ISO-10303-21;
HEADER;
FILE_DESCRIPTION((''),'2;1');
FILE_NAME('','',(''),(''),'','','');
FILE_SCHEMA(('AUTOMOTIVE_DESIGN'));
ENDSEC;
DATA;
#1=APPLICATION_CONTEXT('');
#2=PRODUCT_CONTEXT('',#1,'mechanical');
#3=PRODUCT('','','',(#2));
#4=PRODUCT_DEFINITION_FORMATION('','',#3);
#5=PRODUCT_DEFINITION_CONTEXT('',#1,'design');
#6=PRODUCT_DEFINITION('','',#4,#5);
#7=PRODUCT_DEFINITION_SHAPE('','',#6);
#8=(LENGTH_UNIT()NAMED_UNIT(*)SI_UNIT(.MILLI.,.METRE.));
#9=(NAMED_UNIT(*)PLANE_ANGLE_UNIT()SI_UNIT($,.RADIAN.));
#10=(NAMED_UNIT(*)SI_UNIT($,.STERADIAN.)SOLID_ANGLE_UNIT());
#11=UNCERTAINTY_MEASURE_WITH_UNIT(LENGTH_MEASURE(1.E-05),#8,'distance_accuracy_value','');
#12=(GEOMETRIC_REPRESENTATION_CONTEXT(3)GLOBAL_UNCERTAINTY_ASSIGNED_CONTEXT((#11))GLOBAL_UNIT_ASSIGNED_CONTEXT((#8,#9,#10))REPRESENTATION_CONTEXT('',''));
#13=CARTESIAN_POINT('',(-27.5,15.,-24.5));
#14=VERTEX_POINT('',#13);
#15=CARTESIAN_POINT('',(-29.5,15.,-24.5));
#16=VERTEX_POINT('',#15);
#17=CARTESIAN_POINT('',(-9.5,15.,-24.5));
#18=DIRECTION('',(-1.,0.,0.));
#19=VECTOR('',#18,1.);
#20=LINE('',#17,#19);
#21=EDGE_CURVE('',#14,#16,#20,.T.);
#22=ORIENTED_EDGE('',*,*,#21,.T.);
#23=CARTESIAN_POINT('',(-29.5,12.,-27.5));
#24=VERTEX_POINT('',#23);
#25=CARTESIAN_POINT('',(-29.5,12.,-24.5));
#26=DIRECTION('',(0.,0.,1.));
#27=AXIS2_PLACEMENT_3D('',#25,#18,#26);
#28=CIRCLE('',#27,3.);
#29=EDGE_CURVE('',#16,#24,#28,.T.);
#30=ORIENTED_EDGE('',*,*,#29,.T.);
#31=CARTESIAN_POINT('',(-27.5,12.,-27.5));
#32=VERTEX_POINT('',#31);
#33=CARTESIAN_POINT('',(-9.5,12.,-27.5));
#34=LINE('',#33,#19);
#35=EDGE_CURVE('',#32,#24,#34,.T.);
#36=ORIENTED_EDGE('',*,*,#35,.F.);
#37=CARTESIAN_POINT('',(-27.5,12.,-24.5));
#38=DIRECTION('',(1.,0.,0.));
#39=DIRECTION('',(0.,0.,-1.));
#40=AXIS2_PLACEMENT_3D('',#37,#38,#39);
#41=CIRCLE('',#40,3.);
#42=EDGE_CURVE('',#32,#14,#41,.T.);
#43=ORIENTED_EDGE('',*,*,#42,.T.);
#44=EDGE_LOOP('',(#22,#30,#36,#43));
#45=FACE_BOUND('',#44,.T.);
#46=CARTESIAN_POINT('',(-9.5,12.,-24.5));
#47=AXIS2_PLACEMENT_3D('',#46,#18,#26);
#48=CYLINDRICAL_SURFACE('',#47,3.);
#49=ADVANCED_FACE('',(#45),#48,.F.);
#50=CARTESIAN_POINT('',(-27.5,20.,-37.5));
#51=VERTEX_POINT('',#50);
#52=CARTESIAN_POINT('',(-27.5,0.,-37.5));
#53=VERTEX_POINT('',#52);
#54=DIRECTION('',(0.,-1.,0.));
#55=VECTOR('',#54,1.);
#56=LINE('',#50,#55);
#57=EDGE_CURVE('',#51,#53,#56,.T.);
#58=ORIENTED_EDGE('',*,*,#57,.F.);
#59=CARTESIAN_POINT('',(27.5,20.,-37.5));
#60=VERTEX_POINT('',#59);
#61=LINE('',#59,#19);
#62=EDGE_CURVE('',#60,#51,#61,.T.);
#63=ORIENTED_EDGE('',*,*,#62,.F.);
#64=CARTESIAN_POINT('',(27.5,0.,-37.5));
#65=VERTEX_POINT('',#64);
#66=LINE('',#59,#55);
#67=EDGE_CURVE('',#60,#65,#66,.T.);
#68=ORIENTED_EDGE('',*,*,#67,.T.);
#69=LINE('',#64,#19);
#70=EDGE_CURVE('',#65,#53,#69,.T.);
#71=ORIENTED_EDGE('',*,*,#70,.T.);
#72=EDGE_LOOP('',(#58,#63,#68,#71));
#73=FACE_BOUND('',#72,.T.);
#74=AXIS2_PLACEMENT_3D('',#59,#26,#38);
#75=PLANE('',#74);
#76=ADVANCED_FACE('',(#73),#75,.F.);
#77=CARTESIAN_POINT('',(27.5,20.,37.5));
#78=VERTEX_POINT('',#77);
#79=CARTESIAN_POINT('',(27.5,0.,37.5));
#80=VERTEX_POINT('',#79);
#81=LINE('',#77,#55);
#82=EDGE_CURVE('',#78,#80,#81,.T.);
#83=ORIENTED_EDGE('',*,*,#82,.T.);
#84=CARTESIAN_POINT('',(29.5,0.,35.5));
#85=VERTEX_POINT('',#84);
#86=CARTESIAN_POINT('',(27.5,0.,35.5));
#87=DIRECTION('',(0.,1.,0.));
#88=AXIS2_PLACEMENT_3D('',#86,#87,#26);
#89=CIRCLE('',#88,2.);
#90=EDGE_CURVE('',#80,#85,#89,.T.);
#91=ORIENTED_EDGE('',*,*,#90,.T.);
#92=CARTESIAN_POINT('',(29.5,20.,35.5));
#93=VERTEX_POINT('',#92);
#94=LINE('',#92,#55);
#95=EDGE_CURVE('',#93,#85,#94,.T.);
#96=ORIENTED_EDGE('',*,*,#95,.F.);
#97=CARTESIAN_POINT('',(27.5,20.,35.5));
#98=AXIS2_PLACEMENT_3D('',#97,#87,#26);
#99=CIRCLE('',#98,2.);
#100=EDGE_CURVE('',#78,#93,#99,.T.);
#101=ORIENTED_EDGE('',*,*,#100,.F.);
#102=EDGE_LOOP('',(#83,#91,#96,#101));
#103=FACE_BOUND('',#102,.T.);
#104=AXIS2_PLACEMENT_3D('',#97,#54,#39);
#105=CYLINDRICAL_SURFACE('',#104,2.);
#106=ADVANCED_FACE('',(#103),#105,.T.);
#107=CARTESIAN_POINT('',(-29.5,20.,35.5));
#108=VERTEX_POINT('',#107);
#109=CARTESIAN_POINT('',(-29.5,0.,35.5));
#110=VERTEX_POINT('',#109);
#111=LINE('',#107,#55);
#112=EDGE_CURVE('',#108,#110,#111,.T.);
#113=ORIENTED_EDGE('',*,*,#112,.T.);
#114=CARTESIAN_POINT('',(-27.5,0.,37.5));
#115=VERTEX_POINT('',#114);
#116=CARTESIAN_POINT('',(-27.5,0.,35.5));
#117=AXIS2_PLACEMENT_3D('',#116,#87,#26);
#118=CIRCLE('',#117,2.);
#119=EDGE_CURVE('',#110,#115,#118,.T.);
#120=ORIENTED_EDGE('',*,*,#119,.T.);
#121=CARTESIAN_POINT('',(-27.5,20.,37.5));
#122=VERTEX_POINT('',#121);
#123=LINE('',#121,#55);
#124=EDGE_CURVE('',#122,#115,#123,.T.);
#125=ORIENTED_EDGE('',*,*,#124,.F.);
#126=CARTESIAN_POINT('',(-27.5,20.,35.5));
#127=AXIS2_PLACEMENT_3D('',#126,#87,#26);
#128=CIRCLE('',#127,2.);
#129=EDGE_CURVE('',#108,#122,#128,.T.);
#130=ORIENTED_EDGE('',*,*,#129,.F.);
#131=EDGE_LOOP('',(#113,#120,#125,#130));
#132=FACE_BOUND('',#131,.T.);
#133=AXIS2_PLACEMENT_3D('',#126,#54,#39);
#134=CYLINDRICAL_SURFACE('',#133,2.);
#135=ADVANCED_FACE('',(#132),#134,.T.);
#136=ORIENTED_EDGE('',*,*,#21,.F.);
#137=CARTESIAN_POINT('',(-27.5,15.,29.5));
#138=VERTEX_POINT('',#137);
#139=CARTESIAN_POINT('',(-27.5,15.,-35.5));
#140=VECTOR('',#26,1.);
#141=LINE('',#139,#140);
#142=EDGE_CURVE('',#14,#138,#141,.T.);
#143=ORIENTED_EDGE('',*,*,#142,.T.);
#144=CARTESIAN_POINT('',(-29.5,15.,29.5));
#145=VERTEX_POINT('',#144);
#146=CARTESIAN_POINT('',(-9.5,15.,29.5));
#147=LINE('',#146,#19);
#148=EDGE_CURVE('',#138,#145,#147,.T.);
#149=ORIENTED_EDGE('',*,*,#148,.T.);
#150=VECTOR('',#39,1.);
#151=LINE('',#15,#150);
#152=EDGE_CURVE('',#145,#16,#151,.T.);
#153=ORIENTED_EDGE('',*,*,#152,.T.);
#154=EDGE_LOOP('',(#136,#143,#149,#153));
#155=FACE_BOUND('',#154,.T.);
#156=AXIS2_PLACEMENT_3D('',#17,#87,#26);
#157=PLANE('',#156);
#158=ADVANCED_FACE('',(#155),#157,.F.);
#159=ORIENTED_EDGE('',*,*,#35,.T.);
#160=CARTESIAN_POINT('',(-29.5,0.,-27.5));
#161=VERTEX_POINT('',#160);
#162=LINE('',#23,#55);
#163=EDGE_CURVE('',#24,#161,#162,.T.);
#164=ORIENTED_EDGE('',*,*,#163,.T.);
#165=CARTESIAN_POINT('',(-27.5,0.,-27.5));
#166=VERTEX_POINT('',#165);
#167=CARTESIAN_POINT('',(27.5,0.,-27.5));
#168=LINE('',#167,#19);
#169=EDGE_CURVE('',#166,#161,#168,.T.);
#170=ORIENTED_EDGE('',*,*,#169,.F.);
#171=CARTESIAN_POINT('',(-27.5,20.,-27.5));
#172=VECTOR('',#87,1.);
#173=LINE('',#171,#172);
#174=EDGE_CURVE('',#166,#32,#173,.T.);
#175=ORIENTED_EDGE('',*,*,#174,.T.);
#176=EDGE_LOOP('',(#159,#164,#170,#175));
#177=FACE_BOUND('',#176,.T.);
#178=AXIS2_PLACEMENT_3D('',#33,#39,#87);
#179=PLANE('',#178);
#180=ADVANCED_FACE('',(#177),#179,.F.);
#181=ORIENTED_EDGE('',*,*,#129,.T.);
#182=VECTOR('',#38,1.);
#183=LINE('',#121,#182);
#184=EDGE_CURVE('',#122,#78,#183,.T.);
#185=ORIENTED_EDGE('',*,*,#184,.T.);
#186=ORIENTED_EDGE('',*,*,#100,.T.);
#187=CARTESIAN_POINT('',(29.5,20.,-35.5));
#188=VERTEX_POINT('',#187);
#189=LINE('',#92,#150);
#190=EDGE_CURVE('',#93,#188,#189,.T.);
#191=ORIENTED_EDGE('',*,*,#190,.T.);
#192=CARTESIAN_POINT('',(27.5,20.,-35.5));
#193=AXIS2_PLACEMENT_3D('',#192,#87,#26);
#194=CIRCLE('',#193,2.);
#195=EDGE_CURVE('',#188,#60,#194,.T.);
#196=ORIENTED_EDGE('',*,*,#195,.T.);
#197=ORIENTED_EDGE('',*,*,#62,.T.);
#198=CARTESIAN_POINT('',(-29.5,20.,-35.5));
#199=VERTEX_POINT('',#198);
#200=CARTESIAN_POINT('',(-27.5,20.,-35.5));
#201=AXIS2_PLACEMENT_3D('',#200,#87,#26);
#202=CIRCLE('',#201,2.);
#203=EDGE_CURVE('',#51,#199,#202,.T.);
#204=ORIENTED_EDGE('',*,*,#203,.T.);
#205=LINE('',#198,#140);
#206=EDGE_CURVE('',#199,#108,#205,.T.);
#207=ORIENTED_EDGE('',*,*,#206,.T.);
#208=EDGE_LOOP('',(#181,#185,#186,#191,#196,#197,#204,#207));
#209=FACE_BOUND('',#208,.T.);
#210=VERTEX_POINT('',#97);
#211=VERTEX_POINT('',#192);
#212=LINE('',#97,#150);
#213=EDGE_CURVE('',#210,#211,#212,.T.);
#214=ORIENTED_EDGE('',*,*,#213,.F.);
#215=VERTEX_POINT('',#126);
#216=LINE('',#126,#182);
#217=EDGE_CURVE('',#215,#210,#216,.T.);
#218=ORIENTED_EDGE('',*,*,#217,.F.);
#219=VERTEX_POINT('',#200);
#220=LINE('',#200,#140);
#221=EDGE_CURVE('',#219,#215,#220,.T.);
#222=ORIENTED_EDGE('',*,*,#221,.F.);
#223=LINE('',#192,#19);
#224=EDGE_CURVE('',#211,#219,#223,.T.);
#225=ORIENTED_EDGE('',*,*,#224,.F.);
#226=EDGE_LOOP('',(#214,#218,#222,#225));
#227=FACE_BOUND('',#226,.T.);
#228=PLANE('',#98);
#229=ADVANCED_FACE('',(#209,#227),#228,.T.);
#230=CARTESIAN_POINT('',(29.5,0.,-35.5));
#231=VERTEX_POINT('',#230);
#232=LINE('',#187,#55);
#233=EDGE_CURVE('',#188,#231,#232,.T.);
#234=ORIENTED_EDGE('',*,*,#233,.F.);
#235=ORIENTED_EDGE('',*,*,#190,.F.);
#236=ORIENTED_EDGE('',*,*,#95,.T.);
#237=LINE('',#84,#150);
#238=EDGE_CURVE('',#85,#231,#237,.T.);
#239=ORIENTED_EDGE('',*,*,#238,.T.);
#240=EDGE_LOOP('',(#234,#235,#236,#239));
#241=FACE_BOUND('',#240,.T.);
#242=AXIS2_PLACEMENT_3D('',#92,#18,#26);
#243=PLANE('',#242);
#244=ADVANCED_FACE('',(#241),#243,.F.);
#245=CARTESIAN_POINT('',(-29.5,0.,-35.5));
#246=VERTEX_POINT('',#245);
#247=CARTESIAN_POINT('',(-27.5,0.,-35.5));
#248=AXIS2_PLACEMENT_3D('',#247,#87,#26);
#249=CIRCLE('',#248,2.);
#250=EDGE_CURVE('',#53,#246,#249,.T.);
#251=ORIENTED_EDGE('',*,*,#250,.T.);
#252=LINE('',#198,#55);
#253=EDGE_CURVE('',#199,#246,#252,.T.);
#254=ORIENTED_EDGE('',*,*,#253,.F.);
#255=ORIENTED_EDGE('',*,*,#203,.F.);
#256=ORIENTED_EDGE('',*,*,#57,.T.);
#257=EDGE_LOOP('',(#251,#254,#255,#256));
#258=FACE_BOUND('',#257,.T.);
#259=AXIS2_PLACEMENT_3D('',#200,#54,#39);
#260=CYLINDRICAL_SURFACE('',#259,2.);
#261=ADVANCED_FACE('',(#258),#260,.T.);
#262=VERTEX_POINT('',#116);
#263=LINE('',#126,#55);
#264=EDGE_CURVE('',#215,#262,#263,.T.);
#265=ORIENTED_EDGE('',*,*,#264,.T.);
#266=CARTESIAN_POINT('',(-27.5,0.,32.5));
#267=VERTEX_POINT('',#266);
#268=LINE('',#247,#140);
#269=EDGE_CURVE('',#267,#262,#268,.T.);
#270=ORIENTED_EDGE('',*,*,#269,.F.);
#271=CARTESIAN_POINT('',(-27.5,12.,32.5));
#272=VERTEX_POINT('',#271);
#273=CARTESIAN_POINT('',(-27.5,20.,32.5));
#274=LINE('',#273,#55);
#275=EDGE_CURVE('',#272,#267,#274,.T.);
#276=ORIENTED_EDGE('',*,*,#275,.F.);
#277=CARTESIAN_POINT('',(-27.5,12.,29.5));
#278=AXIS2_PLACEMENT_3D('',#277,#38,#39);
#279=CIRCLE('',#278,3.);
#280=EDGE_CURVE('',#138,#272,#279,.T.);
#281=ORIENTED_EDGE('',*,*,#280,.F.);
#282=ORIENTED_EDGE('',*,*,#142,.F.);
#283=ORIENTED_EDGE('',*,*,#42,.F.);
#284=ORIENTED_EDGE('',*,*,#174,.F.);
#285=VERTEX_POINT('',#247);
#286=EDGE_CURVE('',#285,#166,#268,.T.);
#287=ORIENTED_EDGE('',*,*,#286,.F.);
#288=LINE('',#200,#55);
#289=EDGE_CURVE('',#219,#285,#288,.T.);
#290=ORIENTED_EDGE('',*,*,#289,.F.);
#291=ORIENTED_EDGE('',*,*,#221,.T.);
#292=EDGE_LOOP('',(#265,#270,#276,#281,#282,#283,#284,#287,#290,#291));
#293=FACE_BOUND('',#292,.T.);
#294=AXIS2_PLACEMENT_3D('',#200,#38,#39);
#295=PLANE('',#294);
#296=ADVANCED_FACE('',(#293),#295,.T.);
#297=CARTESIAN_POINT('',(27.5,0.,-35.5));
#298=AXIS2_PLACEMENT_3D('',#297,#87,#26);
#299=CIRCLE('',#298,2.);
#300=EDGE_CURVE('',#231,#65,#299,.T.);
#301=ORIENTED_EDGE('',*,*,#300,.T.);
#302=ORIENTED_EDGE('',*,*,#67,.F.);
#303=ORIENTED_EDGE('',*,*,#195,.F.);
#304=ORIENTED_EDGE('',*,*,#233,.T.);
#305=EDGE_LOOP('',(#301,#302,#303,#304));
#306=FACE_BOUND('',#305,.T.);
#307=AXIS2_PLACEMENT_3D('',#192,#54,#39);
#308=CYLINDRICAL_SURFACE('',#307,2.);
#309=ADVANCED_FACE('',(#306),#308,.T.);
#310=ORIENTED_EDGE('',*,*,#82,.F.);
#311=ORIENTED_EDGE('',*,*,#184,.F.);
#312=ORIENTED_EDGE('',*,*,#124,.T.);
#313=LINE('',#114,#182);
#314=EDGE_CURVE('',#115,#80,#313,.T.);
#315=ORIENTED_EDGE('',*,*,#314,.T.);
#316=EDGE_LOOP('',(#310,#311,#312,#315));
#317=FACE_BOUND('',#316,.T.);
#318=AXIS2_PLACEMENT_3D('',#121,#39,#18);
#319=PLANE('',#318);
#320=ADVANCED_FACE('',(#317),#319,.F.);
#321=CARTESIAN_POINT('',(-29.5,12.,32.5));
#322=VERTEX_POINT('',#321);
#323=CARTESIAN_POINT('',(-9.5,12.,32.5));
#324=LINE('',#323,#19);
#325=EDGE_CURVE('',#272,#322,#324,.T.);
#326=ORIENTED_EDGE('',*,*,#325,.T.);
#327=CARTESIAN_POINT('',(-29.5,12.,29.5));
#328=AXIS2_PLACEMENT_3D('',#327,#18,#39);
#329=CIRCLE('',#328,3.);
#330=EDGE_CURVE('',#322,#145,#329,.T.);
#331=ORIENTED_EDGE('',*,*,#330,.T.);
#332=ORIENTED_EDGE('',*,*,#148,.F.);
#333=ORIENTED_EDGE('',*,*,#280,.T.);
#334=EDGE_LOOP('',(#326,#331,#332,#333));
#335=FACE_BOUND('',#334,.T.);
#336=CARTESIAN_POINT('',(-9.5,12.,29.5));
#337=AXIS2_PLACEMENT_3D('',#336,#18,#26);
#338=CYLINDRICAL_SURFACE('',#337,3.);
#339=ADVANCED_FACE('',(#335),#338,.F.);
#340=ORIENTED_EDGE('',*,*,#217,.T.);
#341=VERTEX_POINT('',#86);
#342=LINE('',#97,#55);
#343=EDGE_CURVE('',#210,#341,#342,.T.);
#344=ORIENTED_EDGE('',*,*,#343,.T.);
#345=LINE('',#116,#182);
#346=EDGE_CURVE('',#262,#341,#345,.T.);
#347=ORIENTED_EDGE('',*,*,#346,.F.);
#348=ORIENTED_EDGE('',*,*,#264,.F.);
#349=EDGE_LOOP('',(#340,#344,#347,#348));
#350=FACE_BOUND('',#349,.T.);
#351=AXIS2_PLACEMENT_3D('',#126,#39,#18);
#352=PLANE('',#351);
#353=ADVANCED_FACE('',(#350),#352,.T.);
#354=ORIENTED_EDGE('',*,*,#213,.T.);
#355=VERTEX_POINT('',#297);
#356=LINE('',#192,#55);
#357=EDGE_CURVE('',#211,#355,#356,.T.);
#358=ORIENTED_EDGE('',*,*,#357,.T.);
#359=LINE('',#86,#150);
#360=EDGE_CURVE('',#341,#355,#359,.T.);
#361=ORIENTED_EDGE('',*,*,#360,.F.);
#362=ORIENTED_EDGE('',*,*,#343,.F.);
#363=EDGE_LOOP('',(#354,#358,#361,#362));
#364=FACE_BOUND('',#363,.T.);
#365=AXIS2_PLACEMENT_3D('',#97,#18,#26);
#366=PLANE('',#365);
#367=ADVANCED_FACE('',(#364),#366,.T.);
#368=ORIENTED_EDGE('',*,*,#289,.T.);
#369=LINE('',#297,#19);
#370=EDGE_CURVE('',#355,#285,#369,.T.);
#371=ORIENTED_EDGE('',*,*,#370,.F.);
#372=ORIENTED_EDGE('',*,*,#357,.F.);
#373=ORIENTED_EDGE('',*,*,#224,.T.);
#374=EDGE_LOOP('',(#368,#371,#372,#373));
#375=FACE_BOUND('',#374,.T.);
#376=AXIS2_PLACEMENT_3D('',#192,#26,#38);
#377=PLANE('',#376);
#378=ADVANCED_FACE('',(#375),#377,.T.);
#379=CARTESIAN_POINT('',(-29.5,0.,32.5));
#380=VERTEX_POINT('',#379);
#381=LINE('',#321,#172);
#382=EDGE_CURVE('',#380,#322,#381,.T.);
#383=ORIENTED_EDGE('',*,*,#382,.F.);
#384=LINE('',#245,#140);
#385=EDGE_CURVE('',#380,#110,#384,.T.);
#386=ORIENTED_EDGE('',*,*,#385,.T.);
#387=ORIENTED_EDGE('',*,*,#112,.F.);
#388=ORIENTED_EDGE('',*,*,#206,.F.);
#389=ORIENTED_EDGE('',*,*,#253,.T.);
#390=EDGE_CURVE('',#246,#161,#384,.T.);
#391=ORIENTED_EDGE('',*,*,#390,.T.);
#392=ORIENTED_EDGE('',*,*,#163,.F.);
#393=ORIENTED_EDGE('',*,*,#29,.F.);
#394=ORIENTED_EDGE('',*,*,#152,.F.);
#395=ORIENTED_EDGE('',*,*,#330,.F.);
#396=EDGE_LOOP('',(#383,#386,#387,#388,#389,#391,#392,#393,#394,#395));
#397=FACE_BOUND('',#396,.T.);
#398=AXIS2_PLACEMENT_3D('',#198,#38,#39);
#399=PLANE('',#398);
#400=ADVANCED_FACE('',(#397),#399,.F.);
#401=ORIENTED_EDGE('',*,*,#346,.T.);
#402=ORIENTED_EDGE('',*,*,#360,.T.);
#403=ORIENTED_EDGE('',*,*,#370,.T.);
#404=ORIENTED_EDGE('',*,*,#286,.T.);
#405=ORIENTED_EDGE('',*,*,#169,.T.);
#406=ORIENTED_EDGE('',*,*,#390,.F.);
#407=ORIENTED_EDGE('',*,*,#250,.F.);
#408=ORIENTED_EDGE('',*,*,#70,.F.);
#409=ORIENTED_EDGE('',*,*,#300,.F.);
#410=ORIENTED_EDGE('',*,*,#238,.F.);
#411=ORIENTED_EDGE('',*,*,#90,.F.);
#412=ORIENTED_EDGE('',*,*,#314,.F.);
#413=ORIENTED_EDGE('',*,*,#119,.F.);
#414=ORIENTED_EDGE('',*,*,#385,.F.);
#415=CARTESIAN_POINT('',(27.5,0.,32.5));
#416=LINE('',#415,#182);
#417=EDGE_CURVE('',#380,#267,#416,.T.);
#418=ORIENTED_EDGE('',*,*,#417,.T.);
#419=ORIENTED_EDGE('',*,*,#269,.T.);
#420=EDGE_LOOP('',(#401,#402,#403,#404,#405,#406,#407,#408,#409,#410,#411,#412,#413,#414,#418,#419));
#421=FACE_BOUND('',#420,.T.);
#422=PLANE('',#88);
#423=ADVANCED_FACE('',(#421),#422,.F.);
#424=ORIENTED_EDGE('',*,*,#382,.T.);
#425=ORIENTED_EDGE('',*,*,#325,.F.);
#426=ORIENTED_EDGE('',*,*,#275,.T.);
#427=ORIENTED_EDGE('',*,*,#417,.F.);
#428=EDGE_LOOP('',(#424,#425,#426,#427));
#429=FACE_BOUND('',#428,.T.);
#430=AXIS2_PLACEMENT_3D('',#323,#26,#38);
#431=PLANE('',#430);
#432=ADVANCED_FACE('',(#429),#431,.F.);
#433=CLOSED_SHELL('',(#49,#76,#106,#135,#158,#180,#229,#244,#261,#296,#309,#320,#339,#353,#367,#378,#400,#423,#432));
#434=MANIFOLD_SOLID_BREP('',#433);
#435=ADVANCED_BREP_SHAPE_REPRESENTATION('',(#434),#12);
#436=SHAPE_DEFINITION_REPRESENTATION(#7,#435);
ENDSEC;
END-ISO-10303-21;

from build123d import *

# Parameters (mm, degrees)
SKETCH1_W           = 55
SKETCH1_H           = 71
BOSS_EXTRUDE1_DEPTH = 20
CUT_EXTRUDE1_DEPTH  = 20


with BuildPart() as part:
    # Sketch1 → Boss-Extrude1 (new body)
    with BuildSketch(Plane(origin=(0, 0, 0), x_dir=(1, 0, 0), z_dir=(0, 1, 0))):
        with BuildLine():
            Line((29.5, -35.5), (29.5, 35.5))
            ThreePointArc((29.5, 35.5), (28.914213562, 36.914213562), (27.5, 37.5))
            Line((27.5, 37.5), (-27.5, 37.5))
            ThreePointArc((-27.5, 37.5), (-28.914213562, 36.914213562), (-29.5, 35.5))
            Line((-29.5, 35.5), (-29.5, -35.5))
            ThreePointArc((-29.5, -35.5), (-28.914213562, -36.914213562), (-27.5, -37.5))
            Line((-27.5, -37.5), (27.5, -37.5))
            ThreePointArc((27.5, -37.5), (28.914213562, -36.914213562), (29.5, -35.5))
        make_face()
        Rectangle(SKETCH1_W, SKETCH1_H, mode=Mode.SUBTRACT)
    extrude(amount=BOSS_EXTRUDE1_DEPTH)

    # Sketch2 → Cut-Extrude1 (cut)
    with BuildSketch(Plane.ZY.offset(29.5)):
        with BuildLine():
            Line((-24.5, 15), (29.5, 15))
            ThreePointArc((29.5, 15), (31.621320344, 14.121320344), (32.5, 12))
            Line((32.5, 12), (32.5, -3))
            Line((32.5, -3), (-27.5, -3))
            Line((-27.5, -3), (-27.5, 12))
            ThreePointArc((-27.5, 12), (-26.621320344, 14.121320344), (-24.5, 15))
        make_face()
    extrude(amount=-CUT_EXTRUDE1_DEPTH, mode=Mode.SUBTRACT)


solid = part.part
